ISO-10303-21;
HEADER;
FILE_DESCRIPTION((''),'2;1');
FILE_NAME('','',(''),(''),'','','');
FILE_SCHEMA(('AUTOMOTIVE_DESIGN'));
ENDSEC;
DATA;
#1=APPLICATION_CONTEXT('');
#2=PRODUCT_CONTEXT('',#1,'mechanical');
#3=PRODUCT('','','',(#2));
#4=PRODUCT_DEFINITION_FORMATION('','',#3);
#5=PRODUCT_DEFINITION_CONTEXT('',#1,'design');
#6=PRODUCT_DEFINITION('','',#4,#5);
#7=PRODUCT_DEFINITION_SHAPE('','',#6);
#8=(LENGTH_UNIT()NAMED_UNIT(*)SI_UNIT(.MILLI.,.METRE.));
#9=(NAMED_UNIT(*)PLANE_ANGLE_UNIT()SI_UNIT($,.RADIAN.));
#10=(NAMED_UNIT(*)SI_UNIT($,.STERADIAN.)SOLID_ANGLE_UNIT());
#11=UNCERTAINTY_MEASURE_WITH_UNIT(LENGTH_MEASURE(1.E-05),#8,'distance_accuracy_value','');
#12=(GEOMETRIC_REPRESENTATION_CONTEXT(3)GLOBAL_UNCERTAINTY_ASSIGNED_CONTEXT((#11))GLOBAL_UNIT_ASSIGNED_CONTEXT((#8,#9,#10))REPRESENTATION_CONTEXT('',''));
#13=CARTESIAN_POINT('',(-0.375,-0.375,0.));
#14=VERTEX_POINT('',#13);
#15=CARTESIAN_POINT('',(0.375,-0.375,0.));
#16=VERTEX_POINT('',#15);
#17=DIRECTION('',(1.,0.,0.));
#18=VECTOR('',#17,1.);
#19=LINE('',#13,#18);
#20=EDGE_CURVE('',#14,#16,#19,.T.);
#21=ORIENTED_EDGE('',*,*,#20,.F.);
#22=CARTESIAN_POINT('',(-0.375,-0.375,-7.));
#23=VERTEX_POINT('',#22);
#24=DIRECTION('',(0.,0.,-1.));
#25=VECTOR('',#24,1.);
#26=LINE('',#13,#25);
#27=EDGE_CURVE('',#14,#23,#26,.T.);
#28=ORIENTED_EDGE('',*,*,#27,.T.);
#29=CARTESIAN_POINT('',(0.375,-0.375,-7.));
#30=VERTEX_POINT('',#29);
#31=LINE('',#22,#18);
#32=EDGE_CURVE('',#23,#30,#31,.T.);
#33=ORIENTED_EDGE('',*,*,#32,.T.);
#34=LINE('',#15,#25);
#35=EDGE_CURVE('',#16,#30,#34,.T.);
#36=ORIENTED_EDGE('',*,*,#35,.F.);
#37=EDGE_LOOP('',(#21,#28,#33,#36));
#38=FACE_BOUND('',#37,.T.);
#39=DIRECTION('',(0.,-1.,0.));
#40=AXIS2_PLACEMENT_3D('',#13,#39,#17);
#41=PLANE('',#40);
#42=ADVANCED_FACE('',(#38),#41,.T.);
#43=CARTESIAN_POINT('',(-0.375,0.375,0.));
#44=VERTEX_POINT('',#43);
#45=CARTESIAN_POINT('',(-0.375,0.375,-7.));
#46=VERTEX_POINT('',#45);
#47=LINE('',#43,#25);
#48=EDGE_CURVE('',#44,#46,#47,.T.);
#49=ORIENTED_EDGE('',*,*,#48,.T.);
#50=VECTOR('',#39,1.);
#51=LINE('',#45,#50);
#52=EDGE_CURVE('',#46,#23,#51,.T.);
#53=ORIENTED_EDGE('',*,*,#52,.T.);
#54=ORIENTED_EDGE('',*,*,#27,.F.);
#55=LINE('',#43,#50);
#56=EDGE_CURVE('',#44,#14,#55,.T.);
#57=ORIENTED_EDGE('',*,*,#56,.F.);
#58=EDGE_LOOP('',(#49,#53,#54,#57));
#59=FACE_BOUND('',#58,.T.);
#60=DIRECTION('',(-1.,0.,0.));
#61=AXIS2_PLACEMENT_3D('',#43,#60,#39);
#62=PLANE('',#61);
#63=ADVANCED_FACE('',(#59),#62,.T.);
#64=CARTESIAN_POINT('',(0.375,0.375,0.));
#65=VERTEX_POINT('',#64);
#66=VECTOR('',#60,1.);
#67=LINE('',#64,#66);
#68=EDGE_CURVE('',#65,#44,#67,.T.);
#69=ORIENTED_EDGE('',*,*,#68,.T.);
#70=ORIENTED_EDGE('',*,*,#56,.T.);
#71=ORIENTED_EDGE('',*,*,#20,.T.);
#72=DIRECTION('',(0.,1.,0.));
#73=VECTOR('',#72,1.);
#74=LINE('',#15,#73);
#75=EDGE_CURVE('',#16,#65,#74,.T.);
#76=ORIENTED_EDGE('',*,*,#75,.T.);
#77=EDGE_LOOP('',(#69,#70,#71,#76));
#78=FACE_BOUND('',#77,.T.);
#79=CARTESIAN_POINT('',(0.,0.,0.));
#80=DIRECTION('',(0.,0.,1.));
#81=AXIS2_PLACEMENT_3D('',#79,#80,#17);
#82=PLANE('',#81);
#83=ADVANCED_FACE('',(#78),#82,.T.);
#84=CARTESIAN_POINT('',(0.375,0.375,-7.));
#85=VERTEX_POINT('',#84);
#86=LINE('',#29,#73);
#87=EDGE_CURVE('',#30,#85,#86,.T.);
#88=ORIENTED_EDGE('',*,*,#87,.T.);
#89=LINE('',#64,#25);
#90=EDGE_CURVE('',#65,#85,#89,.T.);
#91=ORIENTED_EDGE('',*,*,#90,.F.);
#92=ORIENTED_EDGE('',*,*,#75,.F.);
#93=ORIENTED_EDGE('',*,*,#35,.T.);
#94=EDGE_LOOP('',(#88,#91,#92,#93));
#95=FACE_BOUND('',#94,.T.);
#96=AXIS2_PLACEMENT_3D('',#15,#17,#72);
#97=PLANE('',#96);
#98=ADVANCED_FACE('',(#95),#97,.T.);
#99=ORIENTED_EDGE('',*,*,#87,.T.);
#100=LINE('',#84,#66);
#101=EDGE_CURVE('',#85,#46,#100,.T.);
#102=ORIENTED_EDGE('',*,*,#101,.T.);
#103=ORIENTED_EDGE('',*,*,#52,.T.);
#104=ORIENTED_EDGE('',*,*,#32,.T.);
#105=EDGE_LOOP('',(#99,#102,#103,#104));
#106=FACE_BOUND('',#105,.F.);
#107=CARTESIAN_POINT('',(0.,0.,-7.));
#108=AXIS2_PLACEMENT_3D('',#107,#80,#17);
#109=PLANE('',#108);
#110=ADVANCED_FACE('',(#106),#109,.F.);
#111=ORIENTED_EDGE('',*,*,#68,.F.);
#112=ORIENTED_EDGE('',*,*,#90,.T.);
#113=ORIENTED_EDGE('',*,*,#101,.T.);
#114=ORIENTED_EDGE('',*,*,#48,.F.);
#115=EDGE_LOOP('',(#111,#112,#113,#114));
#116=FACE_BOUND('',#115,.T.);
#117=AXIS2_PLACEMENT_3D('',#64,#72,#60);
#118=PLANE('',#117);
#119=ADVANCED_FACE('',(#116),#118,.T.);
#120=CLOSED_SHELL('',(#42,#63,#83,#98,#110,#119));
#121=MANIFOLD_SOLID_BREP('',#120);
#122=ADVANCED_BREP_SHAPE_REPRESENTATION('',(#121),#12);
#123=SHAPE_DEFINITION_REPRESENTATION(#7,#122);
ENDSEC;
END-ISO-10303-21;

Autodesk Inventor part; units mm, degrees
ref_plane "YZ Plane" through (0, 0, 0) normal (1, 0, 0) x (0, 1, 0)
ref_plane "XZ Plane" through (0, 0, 0) normal (0, 1, 0) x (-1, 0, 0)
ref_plane "XY Plane" through (0, 0, 0) normal (0, 0, 1) x (1, 0, 0)
sketch "Sketch3" plane through (0, 0, 0) normal (0, 0, 1) x (1, 0, 0)
  line L0 (-0.375, -0.375) -> (0.375, -0.375)
  line L1 (0.375, -0.375) -> (0.375, 0.375)
  line L2 (0.375, 0.375) -> (-0.375, 0.375)
  line L3 (-0.375, 0.375) -> (-0.375, -0.375)
  line L4 (-0.375, -0.375) -> (0.375, 0.375) construction
  line L5 (0.375, -0.375) -> (-0.375, 0.375) construction
  point P0 (0, 0)
  dimension "d10" = 0.75
  dimension "d11" = 0.75
extrude "Extrusion3" add sketch "Sketch3" against normal blind 7
properties part number "legs"
